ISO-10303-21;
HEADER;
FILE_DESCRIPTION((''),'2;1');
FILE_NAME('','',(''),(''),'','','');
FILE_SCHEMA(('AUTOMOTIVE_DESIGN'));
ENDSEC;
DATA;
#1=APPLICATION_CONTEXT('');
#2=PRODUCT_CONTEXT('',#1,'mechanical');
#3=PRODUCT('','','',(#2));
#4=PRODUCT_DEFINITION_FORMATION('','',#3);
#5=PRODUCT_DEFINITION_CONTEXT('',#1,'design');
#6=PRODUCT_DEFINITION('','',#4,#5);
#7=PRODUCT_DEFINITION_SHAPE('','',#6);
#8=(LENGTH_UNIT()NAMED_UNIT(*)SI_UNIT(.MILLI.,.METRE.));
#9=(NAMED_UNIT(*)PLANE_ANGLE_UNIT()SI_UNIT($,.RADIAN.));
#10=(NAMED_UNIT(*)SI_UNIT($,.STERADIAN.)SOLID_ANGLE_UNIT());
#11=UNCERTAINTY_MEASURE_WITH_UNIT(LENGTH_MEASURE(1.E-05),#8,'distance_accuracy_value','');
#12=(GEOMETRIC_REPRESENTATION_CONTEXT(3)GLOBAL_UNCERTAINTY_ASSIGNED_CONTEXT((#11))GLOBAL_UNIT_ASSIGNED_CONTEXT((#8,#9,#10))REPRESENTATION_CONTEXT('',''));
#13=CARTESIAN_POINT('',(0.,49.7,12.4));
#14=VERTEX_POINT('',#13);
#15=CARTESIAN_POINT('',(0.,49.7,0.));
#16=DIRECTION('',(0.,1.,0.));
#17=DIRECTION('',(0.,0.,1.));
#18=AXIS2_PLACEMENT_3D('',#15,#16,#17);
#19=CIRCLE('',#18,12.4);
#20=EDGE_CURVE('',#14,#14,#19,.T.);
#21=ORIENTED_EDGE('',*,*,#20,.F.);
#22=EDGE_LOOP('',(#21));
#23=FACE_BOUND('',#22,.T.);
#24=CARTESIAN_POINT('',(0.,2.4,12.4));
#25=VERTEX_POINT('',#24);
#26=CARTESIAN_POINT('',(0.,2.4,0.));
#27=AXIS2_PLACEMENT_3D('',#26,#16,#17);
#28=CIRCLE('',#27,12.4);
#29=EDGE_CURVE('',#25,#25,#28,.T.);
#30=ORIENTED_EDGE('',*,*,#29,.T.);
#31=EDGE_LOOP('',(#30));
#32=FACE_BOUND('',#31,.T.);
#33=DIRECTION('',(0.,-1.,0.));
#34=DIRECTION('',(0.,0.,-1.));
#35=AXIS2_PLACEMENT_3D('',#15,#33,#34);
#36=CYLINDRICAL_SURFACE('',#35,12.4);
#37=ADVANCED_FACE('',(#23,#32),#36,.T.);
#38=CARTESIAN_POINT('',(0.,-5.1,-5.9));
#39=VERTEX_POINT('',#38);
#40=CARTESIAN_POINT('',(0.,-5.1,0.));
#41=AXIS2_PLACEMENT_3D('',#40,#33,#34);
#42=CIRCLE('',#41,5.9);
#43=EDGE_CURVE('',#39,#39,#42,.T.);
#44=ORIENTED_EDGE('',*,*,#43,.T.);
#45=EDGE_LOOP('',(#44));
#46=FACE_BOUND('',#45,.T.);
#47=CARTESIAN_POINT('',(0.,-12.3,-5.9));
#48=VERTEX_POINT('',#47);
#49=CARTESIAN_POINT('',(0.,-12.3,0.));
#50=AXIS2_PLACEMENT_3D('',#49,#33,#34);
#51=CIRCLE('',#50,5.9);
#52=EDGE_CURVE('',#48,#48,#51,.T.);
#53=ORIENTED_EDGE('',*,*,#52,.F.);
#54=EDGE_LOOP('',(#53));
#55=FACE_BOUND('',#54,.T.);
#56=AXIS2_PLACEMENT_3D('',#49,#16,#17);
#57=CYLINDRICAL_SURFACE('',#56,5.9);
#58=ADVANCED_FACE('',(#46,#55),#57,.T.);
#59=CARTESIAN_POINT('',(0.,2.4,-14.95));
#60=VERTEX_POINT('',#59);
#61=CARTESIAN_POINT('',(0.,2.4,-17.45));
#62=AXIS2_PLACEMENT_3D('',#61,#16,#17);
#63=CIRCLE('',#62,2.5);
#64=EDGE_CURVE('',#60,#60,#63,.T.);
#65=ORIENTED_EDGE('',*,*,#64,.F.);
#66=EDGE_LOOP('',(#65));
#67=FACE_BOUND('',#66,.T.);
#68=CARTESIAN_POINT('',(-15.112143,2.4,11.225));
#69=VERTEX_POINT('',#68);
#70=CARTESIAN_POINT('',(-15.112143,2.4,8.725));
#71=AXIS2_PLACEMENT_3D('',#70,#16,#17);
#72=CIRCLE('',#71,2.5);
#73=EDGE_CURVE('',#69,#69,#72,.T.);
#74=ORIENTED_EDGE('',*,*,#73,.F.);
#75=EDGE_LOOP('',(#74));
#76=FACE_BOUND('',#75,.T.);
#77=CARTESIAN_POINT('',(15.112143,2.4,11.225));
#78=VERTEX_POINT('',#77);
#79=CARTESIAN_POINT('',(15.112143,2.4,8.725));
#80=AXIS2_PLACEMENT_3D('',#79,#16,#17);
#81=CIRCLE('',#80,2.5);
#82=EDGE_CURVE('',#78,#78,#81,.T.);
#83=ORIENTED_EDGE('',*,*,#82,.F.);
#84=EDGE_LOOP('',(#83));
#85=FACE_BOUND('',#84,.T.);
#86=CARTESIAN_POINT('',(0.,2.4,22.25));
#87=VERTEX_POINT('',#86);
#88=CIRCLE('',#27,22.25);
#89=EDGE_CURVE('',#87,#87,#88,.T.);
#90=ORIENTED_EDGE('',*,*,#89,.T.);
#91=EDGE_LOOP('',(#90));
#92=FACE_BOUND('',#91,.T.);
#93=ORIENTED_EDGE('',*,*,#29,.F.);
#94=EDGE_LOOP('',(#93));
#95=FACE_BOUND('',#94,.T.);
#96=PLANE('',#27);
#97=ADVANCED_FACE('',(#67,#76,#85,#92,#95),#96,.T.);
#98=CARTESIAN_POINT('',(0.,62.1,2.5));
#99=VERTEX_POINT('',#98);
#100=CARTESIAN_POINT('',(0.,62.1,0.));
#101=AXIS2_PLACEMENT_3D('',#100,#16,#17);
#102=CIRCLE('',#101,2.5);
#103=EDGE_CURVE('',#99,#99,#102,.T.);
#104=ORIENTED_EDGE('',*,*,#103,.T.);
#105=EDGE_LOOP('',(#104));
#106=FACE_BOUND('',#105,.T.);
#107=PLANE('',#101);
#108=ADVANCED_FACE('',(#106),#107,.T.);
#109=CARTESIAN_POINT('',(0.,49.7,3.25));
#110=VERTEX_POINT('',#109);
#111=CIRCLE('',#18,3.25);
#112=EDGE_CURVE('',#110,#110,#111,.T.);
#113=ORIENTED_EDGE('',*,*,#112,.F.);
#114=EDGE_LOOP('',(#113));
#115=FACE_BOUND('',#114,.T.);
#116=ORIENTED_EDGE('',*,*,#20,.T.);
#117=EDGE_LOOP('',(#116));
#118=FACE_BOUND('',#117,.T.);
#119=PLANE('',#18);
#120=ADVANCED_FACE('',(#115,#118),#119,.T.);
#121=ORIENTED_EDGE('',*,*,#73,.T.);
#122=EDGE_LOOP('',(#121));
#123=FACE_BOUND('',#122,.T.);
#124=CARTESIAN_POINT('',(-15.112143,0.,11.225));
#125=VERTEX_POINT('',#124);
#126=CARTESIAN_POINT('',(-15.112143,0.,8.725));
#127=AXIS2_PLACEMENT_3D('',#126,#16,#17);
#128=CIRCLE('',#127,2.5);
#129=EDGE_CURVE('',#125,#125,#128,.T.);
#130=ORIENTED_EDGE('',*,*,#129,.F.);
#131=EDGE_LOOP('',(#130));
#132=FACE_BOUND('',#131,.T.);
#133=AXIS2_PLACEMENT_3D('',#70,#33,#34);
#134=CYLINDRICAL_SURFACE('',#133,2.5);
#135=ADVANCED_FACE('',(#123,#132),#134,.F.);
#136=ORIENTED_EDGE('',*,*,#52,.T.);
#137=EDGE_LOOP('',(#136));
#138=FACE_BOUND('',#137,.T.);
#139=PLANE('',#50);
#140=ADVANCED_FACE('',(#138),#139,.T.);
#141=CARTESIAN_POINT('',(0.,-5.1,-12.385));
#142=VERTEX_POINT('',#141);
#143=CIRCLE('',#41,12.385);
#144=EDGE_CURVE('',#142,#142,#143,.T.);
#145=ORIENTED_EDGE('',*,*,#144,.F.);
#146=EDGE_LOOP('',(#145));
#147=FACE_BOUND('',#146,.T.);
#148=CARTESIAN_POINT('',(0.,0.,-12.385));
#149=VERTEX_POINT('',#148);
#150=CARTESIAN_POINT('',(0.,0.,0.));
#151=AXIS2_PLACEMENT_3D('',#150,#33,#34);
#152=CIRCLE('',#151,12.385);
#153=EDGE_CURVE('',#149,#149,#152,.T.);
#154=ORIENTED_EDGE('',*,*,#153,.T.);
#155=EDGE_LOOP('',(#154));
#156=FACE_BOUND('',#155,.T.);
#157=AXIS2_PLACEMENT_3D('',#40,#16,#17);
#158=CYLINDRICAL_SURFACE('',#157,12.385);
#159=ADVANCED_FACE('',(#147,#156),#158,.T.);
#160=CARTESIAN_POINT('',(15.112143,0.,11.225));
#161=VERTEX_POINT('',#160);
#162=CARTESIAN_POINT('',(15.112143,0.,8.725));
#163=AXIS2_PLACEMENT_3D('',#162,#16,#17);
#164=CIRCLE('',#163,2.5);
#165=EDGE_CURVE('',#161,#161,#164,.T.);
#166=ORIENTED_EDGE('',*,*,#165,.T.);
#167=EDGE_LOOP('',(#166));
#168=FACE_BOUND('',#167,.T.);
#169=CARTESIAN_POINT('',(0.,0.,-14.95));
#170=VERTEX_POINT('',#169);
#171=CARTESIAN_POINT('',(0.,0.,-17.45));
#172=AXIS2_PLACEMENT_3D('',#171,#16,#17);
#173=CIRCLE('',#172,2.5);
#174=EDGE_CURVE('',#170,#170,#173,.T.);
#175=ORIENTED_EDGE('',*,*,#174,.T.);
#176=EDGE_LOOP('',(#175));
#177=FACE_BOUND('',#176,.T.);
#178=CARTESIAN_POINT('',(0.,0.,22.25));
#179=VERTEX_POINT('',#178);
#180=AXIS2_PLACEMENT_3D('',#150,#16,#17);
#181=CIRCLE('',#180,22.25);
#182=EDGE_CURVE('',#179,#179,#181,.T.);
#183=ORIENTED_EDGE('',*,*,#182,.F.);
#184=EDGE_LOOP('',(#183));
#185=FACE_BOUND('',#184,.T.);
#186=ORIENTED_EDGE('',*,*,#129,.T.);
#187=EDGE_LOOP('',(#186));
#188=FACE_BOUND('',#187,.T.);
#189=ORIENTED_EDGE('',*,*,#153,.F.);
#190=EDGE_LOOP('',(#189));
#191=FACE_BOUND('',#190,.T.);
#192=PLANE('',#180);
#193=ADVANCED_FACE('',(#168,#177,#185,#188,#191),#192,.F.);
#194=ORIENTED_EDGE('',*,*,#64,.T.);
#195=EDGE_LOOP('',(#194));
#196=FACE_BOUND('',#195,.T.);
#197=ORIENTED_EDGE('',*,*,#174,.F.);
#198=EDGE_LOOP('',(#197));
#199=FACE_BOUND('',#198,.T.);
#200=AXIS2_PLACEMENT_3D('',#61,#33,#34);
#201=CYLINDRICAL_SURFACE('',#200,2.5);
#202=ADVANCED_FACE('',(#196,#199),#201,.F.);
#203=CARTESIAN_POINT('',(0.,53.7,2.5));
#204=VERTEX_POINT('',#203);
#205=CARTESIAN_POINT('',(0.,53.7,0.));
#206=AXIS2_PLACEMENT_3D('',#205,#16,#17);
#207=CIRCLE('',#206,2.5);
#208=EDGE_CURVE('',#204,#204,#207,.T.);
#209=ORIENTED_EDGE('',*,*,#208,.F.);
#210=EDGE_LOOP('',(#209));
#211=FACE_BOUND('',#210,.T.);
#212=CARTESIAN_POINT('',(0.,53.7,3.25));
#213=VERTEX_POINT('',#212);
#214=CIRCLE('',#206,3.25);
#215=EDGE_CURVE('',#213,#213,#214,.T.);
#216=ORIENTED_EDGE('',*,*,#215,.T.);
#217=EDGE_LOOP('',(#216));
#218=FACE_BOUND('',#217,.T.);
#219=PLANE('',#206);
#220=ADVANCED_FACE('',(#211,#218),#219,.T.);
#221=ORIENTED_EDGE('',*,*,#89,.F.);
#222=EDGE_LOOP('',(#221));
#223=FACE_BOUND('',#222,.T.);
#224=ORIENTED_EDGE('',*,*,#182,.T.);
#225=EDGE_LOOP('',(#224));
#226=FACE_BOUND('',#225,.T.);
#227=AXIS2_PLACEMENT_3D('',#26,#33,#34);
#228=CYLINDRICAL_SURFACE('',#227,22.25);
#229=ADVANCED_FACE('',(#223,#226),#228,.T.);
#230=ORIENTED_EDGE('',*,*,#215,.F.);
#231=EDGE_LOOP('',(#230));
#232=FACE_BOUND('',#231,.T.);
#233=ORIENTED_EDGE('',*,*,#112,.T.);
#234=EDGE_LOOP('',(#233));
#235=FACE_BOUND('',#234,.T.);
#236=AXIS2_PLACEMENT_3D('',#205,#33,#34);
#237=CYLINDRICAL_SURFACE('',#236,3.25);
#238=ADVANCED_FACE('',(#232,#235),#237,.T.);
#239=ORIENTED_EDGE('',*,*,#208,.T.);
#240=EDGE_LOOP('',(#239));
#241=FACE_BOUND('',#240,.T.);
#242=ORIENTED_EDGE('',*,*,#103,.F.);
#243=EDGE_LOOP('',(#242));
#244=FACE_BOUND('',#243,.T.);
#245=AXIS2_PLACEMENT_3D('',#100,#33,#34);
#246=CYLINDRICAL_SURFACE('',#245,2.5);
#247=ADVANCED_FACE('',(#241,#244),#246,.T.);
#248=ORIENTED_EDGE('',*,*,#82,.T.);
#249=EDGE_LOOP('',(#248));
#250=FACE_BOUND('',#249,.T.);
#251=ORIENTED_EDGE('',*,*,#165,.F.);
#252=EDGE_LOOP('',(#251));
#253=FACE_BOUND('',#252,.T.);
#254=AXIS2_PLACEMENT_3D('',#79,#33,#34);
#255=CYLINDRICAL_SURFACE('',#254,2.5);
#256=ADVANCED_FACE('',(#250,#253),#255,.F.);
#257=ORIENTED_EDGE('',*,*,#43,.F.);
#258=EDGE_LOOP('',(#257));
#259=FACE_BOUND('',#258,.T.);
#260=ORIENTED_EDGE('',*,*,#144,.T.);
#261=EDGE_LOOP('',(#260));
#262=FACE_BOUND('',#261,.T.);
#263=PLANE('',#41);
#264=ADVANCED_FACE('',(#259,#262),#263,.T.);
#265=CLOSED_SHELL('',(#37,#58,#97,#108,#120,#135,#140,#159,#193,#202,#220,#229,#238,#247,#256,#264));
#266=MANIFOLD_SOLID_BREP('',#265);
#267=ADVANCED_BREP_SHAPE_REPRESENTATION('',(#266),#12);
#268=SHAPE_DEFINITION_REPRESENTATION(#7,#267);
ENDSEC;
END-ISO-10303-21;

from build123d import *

# Parameters (mm, degrees)
SKETCH2_R           = 22.25
SKETCH2_R_2         = 2.5
BOSS_EXTRUDE1_DEPTH = 2.4
SKETCH3_R           = 12.4
BOSS_EXTRUDE2_DEPTH = 47.3
SKETCH4_R           = 3.25
BOSS_EXTRUDE3_DEPTH = 4
SKETCH5_R           = 2.5
BOSS_EXTRUDE4_DEPTH = 8.4
SKETCH6_R           = 12.385
BOSS_EXTRUDE5_DEPTH = 5.1
SKETCH7_R           = 5.9
BOSS_EXTRUDE6_DEPTH = 7.2


with BuildPart() as part:
    # Sketch2 → Boss-Extrude1 (new body)
    with BuildSketch(Plane(origin=(0, 0, 0), x_dir=(1, 0, 0), z_dir=(0, 1, 0))):
        Circle(SKETCH2_R)
        with Locations((0, 17.45)):
            Circle(SKETCH2_R_2, mode=Mode.SUBTRACT)
        with Locations((15.112143296, -8.725)):
            Circle(SKETCH2_R_2, mode=Mode.SUBTRACT)
        with Locations((-15.112143296, -8.725)):
            Circle(SKETCH2_R_2, mode=Mode.SUBTRACT)
    extrude(amount=BOSS_EXTRUDE1_DEPTH)

    # Sketch3 → Boss-Extrude2 (add)
    with BuildSketch(Plane(origin=(0, 2.4, 0), x_dir=(1, 0, 0), z_dir=(0, 1, 0))):
        Circle(SKETCH3_R)
    extrude(amount=BOSS_EXTRUDE2_DEPTH)

    # Sketch4 → Boss-Extrude3 (add)
    with BuildSketch(Plane(origin=(0, 49.7, 0), x_dir=(1, 0, 0), z_dir=(0, 1, 0))):
        Circle(SKETCH4_R)
    extrude(amount=BOSS_EXTRUDE3_DEPTH)

    # Sketch5 → Boss-Extrude4 (add)
    with BuildSketch(Plane(origin=(0, 53.7, 0), x_dir=(1, 0, 0), z_dir=(0, 1, 0))):
        Circle(SKETCH5_R)
    extrude(amount=BOSS_EXTRUDE4_DEPTH)

    # Sketch6 → Boss-Extrude5 (add)
    with BuildSketch(Plane.XZ):
        Circle(SKETCH6_R)
    extrude(amount=BOSS_EXTRUDE5_DEPTH)

    # Sketch7 → Boss-Extrude6 (add)
    with BuildSketch(Plane.XZ.offset(5.1)):
        Circle(SKETCH7_R)
    extrude(amount=BOSS_EXTRUDE6_DEPTH)


solid = part.part
